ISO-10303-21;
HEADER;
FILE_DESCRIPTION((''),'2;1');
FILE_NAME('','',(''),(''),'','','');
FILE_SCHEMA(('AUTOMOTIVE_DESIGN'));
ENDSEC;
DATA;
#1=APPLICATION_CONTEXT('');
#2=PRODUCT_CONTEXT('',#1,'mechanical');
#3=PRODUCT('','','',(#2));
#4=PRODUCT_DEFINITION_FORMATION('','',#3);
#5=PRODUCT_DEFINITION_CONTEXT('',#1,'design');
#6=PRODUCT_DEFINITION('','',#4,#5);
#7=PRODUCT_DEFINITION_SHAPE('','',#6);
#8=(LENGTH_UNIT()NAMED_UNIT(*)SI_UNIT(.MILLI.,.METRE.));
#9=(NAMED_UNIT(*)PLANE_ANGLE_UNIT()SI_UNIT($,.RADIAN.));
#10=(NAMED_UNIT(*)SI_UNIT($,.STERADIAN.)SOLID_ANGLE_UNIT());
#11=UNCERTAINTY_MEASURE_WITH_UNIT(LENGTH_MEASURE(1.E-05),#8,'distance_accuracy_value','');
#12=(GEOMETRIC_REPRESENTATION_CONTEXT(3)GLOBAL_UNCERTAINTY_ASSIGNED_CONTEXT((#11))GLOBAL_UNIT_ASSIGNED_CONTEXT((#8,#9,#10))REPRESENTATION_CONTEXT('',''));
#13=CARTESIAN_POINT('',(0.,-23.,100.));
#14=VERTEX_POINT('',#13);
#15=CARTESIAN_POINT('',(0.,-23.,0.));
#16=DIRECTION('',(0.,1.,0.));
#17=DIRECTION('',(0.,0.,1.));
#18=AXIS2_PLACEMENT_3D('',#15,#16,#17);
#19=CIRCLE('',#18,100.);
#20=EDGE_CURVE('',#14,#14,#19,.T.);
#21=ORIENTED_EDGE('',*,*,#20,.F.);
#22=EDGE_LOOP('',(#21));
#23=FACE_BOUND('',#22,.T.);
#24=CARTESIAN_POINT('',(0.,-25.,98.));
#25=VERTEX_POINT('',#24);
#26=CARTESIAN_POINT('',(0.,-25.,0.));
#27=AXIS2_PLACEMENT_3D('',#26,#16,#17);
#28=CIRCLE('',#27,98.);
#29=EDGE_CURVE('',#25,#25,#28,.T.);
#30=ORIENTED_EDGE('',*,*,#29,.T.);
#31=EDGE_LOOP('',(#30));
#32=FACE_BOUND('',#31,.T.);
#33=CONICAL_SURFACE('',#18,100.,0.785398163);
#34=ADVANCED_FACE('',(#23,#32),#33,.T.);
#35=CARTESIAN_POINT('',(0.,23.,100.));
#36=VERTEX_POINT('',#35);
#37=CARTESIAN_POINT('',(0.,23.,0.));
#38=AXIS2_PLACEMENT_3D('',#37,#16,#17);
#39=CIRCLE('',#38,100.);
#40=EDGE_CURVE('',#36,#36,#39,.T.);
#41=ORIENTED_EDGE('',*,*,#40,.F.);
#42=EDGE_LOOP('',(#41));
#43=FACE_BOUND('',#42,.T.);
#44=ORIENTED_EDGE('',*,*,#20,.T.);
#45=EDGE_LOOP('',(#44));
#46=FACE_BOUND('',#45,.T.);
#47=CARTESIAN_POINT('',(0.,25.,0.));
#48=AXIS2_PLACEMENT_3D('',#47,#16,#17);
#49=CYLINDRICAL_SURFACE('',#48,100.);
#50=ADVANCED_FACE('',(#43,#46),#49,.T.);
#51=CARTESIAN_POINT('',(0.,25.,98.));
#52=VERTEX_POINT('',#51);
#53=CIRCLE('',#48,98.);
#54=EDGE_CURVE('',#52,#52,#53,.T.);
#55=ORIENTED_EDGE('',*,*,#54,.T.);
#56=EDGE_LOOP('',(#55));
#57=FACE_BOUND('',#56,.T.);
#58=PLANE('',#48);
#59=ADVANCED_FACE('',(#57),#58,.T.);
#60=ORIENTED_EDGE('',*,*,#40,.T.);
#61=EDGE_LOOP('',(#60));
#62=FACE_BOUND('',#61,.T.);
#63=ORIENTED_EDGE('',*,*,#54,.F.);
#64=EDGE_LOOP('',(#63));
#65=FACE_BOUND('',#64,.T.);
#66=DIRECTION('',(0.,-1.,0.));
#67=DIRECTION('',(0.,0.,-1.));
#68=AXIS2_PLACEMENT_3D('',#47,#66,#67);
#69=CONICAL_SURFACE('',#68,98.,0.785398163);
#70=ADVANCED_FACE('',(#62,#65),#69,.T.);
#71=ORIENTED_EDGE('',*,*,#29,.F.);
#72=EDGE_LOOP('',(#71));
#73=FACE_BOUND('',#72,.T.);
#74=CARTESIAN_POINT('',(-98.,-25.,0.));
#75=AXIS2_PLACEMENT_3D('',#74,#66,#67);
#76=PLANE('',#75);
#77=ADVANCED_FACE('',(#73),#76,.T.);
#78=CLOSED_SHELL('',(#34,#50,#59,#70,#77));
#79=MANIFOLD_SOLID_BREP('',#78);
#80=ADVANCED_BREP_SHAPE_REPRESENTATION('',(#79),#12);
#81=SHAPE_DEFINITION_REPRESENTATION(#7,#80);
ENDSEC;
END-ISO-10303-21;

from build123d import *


with BuildPart() as part:
    # Esquisse1 → Révolution1 (revolve)
    with BuildSketch(Plane.XY):
        Polygon((-98, 25), (-100, 23), (-100, -23), (-98, -25), (0, -25), (0, 25), align=None)
    revolve(axis=Axis((0, 25, 0), (0, -1, 0)))


solid = part.part
